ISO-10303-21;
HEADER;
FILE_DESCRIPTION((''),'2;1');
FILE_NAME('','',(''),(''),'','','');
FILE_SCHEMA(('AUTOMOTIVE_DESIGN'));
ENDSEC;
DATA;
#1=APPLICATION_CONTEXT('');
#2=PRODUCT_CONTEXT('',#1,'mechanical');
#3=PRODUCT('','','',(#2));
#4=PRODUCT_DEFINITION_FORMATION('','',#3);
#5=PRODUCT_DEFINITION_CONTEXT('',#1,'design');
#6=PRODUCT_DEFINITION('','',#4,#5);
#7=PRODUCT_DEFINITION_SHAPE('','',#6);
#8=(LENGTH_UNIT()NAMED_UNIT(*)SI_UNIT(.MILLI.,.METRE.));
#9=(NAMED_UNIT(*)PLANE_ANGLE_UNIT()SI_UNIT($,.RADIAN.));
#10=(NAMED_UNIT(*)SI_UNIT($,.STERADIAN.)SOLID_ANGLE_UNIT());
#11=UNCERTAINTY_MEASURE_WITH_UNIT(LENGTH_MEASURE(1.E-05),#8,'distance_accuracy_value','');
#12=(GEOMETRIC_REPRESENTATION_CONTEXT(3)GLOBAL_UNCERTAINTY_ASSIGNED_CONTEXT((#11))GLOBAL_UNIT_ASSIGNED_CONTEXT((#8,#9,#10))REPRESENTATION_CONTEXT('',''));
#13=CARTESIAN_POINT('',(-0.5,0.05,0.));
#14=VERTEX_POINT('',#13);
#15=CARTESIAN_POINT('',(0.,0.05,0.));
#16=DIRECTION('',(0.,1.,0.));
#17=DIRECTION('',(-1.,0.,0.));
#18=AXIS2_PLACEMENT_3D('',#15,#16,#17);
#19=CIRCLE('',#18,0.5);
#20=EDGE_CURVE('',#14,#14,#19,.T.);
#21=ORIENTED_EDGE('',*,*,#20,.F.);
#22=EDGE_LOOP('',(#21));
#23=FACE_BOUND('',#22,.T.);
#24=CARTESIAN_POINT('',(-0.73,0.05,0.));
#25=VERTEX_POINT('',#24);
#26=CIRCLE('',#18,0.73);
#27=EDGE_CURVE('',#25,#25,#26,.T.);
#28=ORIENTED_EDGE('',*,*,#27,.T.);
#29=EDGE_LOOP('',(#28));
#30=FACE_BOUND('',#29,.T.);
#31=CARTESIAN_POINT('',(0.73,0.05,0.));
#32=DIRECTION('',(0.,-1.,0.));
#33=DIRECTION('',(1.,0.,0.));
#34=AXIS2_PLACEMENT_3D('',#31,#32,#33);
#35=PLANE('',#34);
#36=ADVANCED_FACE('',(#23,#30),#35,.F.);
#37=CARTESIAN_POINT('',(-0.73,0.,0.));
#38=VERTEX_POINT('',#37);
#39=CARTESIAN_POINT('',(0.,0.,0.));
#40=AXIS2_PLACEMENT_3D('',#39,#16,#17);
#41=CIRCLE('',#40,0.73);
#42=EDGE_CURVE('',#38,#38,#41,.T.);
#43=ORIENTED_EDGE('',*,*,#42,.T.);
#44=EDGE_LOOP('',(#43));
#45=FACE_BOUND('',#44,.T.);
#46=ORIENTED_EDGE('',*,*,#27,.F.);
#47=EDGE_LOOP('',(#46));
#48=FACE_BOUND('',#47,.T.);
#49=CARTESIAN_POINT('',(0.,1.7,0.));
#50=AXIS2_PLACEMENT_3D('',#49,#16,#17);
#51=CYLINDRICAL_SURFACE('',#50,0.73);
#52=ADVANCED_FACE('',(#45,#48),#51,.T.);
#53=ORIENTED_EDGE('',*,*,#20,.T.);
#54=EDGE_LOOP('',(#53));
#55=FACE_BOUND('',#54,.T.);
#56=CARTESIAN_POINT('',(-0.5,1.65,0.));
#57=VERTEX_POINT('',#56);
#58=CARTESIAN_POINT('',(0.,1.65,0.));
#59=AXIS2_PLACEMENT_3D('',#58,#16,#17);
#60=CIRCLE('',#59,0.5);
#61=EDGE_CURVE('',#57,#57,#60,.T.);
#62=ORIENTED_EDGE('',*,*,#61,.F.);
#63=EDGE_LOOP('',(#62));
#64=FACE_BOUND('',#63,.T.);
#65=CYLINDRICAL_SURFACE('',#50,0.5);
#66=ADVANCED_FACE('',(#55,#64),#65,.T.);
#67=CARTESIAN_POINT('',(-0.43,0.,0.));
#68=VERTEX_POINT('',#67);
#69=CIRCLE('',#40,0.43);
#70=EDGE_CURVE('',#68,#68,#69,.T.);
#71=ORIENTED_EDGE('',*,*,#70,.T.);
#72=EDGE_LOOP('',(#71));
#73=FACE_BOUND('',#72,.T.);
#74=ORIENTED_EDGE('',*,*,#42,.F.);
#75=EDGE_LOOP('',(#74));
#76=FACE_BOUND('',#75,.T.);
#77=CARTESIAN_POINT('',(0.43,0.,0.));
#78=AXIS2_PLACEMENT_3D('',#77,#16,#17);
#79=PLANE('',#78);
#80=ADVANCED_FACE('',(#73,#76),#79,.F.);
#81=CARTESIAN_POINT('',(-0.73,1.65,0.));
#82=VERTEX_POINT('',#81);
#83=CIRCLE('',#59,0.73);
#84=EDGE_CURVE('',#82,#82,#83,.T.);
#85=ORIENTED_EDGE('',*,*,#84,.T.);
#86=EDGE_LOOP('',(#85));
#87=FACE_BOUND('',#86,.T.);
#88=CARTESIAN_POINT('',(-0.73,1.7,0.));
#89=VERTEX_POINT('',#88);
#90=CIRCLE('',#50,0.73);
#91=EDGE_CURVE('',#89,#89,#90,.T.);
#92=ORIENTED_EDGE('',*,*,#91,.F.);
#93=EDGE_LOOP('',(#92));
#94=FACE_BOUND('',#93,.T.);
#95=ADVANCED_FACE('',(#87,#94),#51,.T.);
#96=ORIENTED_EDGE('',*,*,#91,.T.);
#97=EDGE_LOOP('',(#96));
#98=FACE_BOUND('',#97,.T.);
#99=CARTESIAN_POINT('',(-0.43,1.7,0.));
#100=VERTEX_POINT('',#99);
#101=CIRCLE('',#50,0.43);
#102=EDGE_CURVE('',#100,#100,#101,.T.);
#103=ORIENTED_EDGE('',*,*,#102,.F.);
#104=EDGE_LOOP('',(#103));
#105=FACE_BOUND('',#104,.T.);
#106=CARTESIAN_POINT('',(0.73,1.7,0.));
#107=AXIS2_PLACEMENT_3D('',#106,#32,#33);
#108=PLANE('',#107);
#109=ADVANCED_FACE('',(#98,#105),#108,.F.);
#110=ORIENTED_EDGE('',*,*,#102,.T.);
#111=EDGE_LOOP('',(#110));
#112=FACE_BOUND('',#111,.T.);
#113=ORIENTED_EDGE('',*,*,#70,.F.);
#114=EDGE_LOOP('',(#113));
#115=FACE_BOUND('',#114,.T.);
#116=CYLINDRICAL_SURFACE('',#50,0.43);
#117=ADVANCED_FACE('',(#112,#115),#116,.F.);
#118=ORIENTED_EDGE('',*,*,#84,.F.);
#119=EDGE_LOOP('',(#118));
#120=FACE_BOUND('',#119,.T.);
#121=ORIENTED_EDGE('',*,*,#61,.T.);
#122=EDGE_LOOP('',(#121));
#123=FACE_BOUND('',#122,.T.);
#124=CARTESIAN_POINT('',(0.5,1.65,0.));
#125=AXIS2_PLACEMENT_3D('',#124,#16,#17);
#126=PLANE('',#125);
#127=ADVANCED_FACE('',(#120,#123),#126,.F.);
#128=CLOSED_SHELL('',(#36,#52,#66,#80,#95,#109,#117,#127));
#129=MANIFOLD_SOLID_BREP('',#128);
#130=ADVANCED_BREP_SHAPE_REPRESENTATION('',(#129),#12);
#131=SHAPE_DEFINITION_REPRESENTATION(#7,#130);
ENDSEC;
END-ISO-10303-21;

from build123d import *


with BuildPart() as part:
    # Sketch1 → Revolve1 (revolve)
    with BuildSketch(Plane.XY, mode=Mode.PRIVATE) as revolve1_sk:
        Polygon((0.43, 0), (0.73, 0), (0.73, 0.05), (0.5, 0.05), (0.5, 1.65), (0.73, 1.65), (0.73, 1.7), (0.43, 1.7), align=None)
    revolve(revolve1_sk.sketch.rotate(Axis((0, 1.7, 0), (0, -1, 0)), 180), axis=Axis((0, 1.7, 0), (0, -1, 0)))


solid = part.part
